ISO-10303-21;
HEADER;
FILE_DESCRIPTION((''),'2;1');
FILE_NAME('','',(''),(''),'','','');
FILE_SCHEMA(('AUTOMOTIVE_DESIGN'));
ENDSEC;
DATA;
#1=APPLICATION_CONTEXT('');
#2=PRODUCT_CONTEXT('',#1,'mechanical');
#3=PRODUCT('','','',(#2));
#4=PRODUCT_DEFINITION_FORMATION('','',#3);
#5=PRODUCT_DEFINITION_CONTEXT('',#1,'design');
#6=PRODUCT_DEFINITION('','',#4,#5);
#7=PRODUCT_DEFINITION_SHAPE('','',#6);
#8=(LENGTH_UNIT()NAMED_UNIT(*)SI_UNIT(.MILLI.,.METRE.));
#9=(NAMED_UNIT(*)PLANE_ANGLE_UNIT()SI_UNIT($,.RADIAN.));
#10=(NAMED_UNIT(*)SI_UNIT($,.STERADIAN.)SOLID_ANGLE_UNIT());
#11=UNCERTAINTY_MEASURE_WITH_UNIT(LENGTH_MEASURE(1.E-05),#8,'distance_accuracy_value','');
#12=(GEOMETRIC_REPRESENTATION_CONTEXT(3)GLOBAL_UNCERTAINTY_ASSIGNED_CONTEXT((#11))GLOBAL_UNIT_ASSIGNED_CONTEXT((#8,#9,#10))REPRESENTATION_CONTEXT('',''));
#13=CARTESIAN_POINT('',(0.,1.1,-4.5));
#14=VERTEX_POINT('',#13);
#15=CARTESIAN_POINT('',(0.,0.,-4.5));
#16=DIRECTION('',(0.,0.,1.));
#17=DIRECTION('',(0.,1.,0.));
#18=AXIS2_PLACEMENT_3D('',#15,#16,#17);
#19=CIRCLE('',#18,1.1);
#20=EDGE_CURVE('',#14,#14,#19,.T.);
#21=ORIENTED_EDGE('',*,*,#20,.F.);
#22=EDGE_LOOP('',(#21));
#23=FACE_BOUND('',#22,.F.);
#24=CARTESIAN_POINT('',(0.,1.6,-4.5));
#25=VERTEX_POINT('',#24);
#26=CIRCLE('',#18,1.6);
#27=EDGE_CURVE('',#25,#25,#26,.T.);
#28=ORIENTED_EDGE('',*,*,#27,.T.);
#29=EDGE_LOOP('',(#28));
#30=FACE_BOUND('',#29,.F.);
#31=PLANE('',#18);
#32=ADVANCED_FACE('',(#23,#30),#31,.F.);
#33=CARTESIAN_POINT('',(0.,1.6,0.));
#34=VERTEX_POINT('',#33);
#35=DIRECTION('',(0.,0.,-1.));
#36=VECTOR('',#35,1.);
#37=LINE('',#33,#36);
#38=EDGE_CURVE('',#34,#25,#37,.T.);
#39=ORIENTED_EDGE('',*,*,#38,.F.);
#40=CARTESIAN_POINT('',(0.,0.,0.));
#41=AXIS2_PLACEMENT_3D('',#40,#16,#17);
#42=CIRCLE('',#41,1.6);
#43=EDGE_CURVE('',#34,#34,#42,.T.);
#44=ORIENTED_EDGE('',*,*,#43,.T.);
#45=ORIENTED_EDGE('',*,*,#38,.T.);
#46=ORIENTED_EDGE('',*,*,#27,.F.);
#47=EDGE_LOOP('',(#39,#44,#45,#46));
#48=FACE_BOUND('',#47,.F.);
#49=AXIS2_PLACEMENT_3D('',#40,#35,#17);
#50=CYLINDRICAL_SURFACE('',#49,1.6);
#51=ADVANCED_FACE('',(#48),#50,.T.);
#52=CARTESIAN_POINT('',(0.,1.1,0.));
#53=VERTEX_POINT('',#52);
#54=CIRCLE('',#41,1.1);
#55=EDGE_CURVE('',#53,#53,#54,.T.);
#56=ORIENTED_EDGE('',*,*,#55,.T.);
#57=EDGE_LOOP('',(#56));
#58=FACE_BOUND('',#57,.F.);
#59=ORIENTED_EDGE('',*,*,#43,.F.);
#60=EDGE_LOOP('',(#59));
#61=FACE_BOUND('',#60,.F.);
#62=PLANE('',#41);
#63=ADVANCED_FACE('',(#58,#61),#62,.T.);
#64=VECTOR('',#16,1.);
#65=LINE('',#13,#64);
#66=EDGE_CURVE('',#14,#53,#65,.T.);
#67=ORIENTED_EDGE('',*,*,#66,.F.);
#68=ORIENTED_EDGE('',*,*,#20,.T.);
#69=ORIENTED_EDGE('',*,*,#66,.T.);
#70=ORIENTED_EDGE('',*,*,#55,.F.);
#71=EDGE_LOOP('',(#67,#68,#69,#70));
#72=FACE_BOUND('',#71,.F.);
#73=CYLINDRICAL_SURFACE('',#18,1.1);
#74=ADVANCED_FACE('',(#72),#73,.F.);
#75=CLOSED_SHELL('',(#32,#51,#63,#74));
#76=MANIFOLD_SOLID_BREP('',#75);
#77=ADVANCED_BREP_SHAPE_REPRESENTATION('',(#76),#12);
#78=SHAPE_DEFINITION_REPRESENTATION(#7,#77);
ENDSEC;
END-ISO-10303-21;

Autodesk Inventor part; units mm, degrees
ref_plane "YZ Plane" through (0, 0, 0) normal (1, 0, 0) x (0, 1, 0)
ref_plane "XZ Plane" through (0, 0, 0) normal (0, 1, 0) x (-1, 0, 0)
ref_plane "XY Plane" through (0, 0, 0) normal (0, 0, 1) x (1, 0, 0)
sketch "スケッチ1" plane through (0, 0, 0) normal (1, 0, 0) x (0, 1, 0)
  line L0 (1.1, 0) -> (1.6, 0)
  line L1 (1.6, 0) -> (1.6, -4.5)
  line L2 (1.6, -4.5) -> (1.1, -4.5)
  line L3 (1.1, -4.5) -> (1.1, 0)
  line L4 (0, -5.4) -> (0, 0.9) projected
  point P0 (0, 0)
  dimension "d0" = 1.1
  dimension "d1" = 1.6
  dimension "d2" = 4.5
revolve "回転1" add sketch "スケッチ1" angle 360 about axis through (0, 0, -10) along (0, 0, 1)
properties part number "Parts_MetalCollar_Ph3_L4.5" material "ステンレス鋼"
